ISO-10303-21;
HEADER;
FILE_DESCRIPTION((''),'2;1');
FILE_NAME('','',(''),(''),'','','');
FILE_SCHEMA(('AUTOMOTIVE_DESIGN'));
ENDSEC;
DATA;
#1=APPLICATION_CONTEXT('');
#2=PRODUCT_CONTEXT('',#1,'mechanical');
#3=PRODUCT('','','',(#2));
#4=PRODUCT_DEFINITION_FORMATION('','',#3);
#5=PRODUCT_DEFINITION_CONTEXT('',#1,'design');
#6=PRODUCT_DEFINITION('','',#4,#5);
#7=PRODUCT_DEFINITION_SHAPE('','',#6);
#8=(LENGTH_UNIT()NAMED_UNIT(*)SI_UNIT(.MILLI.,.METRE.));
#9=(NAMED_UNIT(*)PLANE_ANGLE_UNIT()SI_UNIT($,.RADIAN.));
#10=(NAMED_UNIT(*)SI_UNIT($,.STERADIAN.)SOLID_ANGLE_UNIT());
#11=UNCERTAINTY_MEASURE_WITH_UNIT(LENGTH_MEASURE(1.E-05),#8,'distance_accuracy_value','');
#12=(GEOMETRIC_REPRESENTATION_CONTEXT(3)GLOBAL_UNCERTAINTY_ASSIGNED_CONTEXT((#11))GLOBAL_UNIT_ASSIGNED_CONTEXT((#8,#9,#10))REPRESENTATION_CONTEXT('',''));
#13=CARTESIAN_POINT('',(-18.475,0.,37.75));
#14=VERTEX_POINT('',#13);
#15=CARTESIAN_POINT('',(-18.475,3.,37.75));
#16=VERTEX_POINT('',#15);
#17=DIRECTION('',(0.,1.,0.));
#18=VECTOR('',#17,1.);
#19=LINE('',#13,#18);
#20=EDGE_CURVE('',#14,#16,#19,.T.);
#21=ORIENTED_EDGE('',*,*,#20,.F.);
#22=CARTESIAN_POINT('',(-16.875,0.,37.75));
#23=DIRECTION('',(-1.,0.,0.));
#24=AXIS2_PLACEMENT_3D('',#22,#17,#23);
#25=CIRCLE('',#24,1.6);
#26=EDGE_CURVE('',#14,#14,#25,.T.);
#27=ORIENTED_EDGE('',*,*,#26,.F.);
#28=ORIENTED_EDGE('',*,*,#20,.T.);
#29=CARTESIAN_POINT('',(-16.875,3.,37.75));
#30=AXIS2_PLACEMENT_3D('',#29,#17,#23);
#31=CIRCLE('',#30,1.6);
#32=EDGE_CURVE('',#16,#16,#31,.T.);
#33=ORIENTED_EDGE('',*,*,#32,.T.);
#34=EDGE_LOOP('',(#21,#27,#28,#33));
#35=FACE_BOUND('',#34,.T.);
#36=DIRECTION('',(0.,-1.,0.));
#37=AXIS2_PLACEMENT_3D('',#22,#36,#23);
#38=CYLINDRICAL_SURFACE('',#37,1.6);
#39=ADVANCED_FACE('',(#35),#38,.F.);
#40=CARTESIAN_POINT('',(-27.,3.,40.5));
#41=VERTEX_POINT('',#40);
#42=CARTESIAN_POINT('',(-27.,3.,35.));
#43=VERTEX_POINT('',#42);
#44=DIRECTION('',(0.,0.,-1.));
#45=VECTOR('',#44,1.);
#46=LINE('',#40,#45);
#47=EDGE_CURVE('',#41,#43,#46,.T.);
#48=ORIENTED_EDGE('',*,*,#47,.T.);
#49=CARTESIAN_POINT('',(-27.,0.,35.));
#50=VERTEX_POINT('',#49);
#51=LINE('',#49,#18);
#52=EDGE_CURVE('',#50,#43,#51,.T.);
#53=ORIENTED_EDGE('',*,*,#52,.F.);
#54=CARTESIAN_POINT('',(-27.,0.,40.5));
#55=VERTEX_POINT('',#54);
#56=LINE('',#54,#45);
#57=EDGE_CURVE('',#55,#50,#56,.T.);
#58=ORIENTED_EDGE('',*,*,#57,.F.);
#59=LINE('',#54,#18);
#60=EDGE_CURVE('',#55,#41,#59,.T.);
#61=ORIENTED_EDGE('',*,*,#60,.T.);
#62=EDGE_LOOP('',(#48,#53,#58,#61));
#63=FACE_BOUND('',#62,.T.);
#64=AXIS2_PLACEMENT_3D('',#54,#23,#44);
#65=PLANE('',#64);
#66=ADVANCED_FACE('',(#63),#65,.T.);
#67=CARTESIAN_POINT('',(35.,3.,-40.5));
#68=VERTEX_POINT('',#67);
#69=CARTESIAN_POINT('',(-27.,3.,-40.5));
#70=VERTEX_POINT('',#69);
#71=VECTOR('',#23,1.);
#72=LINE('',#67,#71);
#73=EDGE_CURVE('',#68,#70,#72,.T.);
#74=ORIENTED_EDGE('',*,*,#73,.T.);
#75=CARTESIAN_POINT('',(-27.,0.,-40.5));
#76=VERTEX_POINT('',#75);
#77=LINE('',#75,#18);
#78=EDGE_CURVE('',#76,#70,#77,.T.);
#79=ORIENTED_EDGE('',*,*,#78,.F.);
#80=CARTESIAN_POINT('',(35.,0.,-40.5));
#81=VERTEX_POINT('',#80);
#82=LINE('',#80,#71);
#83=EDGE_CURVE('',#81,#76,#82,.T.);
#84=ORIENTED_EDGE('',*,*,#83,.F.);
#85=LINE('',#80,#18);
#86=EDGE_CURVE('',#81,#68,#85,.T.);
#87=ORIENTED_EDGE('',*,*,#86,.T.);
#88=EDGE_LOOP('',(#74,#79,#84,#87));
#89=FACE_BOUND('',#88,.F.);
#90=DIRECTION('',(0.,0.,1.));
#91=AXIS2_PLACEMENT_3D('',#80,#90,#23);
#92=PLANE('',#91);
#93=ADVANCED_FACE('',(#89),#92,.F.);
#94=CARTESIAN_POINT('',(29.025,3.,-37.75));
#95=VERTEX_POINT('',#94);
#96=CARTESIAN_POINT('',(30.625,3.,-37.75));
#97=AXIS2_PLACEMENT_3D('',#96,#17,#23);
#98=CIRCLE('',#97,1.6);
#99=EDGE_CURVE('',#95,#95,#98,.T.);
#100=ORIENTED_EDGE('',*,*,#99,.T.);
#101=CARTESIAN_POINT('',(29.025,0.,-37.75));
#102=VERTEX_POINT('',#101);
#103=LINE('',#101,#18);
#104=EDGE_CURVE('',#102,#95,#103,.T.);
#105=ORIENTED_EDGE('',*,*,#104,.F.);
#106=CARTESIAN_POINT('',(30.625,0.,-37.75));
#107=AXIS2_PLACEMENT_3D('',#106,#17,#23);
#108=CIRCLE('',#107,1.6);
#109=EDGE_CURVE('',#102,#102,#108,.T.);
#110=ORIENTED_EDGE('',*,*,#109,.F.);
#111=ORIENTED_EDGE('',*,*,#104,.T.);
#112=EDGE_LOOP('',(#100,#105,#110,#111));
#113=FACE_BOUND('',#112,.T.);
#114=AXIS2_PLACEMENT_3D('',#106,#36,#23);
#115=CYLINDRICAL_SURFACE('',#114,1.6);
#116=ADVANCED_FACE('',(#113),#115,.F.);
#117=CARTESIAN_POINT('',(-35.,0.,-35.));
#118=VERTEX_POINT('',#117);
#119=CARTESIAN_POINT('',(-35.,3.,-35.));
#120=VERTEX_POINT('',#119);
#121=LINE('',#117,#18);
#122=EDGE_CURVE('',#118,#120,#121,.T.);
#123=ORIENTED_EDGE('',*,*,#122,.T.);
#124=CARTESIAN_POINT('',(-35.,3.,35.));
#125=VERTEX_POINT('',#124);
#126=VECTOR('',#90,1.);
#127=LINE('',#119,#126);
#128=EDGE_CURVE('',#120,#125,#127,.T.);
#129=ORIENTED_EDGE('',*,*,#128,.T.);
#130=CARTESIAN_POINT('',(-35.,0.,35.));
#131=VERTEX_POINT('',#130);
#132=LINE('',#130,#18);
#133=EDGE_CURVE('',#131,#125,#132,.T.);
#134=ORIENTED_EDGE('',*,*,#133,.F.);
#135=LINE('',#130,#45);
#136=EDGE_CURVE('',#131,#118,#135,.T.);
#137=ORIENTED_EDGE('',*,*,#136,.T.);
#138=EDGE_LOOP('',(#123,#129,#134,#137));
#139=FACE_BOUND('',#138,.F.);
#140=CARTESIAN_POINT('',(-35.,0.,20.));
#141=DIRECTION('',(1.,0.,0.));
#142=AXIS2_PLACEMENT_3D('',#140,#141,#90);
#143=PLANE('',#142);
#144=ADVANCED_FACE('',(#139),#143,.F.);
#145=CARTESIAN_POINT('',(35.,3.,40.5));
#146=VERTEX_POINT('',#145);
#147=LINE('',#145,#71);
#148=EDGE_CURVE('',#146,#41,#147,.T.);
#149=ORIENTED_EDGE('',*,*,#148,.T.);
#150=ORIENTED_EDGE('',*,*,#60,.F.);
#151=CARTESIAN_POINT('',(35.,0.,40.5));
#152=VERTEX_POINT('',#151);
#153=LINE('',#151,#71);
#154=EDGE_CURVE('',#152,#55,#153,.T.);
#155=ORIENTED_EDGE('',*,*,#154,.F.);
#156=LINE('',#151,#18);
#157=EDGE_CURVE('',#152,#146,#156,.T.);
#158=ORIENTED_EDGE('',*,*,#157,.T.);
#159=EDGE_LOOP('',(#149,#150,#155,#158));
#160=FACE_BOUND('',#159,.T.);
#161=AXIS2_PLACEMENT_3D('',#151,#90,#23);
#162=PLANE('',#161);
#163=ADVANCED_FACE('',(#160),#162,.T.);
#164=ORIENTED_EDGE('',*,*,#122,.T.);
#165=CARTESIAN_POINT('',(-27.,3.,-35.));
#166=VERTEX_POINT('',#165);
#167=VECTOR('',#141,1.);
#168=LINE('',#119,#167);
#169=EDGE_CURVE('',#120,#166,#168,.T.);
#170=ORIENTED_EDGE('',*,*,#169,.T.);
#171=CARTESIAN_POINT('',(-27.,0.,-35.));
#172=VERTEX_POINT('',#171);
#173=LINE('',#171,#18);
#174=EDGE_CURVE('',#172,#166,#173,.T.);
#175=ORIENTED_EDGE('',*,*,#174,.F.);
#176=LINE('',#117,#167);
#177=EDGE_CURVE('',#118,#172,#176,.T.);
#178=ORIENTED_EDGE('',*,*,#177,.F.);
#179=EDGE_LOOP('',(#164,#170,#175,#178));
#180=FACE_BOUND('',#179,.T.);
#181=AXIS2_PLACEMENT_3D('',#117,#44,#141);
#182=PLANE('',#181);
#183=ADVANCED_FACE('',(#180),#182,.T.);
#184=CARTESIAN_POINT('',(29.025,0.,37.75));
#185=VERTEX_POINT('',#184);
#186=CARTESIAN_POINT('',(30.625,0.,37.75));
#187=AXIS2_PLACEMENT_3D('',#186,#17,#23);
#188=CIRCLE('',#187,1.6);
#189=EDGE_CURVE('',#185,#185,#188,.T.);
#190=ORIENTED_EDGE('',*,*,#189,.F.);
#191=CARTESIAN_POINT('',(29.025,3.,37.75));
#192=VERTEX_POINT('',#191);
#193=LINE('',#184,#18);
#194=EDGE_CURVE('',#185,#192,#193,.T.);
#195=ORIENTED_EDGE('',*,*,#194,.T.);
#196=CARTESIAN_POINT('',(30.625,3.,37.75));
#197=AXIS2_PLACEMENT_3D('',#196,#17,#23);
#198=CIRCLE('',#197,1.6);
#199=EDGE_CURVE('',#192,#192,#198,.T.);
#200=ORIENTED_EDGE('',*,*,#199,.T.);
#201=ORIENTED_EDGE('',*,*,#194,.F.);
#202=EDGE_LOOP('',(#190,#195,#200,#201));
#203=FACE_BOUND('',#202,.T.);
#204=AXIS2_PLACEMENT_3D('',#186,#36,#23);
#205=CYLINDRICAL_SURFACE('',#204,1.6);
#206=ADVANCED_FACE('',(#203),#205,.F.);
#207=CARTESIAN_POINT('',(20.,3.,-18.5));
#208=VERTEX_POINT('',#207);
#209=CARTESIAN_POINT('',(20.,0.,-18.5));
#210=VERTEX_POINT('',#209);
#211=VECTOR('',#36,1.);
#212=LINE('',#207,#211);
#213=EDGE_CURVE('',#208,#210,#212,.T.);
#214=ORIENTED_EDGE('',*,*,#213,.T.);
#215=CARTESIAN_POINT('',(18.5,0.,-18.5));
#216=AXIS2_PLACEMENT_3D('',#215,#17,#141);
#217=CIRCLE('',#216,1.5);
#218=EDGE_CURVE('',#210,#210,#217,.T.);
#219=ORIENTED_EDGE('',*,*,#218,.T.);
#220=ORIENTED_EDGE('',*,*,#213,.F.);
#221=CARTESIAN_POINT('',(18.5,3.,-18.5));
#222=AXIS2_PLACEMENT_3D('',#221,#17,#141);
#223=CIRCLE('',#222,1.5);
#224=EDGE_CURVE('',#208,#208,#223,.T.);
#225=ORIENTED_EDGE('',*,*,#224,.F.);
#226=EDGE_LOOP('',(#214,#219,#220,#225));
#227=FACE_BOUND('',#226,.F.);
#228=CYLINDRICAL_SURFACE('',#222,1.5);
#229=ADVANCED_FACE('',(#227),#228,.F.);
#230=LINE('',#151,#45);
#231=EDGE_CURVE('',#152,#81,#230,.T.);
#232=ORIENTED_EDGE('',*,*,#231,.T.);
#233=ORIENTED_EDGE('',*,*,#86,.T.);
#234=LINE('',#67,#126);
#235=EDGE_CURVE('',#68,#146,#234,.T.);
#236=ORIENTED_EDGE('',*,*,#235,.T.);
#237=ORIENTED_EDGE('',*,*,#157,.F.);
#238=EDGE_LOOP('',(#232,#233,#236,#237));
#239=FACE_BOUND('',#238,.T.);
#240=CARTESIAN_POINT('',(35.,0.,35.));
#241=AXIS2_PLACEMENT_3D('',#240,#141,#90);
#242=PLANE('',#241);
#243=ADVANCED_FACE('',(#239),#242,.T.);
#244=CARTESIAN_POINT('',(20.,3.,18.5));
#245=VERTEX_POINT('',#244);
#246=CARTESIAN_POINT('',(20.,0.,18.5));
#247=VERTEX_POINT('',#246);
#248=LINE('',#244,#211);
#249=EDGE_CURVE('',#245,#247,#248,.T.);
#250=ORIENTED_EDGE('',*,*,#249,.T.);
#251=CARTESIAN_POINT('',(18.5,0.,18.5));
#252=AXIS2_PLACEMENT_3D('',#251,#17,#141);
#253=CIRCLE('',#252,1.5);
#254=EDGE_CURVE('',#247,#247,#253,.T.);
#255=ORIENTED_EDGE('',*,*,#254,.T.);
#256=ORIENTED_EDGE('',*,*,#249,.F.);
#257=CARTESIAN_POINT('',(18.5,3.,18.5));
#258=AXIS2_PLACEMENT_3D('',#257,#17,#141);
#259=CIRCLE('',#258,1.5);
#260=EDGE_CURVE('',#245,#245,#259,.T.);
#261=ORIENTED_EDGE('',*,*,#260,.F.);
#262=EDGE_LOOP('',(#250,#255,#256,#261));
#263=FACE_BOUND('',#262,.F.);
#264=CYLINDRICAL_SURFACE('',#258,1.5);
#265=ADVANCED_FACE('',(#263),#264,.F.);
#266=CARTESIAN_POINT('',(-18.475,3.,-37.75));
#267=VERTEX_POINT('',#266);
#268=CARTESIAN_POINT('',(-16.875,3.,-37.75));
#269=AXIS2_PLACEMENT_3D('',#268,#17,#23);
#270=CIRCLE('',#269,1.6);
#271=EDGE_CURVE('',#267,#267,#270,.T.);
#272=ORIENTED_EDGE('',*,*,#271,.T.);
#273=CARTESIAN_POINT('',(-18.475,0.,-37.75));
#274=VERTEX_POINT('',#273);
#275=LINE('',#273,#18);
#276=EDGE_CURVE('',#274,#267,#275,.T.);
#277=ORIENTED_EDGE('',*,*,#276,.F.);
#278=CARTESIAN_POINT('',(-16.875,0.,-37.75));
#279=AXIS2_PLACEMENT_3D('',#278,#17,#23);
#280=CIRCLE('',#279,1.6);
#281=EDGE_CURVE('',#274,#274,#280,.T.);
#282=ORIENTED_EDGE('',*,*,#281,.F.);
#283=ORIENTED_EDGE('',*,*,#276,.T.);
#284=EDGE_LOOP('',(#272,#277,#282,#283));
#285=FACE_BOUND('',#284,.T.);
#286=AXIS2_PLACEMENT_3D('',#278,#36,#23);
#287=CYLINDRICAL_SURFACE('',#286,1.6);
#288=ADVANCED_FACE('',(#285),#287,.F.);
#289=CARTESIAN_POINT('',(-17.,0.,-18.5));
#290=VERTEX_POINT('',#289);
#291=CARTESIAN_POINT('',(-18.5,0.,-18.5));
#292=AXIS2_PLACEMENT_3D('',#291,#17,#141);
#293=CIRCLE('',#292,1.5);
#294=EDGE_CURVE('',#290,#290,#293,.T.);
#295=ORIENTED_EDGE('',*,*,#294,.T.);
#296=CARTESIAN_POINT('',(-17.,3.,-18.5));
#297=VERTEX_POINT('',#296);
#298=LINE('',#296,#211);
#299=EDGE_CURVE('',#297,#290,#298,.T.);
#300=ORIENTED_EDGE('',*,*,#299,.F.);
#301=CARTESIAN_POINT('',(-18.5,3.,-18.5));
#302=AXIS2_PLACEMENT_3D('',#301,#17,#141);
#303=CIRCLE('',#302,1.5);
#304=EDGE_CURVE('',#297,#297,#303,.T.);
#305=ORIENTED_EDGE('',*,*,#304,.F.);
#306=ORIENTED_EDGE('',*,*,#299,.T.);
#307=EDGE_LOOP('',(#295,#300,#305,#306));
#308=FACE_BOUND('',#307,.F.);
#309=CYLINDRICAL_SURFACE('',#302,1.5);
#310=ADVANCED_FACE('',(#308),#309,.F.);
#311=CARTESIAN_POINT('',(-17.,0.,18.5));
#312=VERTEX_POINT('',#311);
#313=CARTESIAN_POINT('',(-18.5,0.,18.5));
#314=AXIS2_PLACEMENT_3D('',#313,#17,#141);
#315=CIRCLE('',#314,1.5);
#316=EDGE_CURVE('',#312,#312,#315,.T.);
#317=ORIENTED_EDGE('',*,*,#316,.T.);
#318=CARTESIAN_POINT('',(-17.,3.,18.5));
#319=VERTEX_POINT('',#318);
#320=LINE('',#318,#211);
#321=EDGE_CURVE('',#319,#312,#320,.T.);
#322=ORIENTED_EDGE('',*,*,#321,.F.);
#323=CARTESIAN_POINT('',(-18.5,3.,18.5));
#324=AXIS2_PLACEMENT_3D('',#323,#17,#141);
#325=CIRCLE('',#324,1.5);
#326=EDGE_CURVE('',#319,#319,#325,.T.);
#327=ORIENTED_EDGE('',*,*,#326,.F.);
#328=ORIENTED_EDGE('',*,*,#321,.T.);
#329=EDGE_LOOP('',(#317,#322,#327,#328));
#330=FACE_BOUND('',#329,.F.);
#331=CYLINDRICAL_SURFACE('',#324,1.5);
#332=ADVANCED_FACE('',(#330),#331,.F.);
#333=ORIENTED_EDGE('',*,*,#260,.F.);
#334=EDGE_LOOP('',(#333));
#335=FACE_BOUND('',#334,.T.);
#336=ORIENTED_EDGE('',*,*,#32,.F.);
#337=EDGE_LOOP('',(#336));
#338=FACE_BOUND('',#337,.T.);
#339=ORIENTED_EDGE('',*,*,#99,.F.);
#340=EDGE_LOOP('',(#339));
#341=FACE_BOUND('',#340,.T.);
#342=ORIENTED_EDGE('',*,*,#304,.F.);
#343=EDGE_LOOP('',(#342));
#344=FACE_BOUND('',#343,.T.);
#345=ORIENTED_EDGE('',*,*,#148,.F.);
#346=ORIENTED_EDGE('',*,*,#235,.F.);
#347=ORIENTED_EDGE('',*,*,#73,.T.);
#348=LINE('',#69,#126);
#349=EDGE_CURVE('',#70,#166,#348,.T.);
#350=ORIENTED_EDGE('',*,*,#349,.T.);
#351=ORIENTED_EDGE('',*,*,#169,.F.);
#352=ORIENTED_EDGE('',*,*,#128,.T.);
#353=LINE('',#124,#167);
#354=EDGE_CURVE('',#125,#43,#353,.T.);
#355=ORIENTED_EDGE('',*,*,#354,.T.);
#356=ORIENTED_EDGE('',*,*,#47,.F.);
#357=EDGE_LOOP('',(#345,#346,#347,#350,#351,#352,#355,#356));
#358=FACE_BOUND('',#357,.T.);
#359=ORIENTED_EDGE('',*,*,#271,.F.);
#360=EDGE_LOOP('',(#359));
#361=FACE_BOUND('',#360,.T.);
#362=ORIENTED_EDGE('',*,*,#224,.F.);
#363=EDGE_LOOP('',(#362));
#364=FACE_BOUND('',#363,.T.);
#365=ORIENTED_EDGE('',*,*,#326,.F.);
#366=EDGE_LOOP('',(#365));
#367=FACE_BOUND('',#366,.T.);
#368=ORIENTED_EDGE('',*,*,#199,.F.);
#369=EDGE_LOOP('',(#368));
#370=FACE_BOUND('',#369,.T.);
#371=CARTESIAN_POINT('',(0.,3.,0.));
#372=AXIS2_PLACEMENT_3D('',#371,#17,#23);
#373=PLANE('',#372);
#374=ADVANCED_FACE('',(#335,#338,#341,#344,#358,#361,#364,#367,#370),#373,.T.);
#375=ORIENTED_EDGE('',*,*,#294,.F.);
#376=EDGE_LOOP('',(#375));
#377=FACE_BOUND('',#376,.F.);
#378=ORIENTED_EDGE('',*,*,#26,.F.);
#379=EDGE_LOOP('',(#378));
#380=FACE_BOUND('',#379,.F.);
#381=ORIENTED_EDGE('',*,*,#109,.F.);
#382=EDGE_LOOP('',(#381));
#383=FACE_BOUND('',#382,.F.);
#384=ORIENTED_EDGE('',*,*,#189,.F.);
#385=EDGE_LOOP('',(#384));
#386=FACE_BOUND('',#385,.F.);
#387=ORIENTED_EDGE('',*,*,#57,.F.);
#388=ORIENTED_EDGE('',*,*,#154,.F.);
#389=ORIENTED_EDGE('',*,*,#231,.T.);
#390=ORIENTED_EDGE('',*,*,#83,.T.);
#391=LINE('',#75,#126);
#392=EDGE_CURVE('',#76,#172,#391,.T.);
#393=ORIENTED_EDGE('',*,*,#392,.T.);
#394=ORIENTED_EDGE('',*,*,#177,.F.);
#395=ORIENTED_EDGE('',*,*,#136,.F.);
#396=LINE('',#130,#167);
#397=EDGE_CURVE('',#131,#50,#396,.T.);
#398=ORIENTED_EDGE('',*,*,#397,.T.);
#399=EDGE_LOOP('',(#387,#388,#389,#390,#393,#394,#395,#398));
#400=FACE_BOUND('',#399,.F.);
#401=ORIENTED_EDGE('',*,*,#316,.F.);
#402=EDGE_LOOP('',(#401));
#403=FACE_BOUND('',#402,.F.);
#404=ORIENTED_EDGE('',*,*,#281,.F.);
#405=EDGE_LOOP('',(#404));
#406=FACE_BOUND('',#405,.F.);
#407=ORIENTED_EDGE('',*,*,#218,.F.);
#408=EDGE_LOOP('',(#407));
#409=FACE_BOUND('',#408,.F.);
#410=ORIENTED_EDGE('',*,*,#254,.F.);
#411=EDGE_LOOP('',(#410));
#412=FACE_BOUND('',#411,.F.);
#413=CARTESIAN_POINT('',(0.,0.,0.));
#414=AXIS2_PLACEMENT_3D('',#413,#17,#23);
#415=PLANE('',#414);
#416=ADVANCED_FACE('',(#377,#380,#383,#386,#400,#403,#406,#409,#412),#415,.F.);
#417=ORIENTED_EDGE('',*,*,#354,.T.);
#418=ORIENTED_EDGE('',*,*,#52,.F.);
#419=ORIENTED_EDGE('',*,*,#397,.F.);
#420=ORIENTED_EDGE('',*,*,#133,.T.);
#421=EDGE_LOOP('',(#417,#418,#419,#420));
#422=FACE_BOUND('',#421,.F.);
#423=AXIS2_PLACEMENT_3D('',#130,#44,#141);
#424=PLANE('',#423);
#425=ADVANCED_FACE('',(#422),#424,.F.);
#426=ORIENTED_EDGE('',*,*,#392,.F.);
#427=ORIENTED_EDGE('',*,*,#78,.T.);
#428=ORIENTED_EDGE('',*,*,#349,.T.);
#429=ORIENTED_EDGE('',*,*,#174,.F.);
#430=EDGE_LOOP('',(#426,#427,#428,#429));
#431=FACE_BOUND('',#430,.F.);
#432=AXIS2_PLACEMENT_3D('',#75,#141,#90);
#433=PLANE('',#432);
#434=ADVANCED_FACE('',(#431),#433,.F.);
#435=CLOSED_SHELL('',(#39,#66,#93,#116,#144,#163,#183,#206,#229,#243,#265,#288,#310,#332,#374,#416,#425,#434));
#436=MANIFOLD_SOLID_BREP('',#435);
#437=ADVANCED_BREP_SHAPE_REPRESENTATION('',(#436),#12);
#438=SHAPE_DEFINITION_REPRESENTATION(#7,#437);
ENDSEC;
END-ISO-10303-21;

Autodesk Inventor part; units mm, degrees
ref_plane "YZ Plane" through (0, 0, 0) normal (1, 0, 0) x (0, 1, 0)
ref_plane "XZ Plane" through (0, 0, 0) normal (0, 1, 0) x (-1, 0, 0)
ref_plane "XY Plane" through (0, 0, 0) normal (0, 0, 1) x (1, 0, 0)
sketch "Эскиз1" plane through (0, 0, 0) normal (0, 1, 0) x (-1, 0, 0)
  circle A0 centre (16.875, 37.75) radius 1.6
  circle A1 centre (-30.625, 37.75) radius 1.6
  line L0 (-35, 40.5) -> (27, 40.5)
  line L1 (-35, 35) -> (-35, 40.5)
  line L2 (27, 35) -> (-35, 35)
  line L3 (27, 40.5) -> (27, 35)
  circle A2 centre (16.875, -37.75) radius 1.6
  circle A3 centre (-30.625, -37.75) radius 1.6
  line L4 (-35, -40.5) -> (27, -40.5)
  line L5 (27, -40.5) -> (27, -35)
  line L6 (-35, -35) -> (27, -35)
  line L7 (-35, -35) -> (-35, -40.5)
  line L8 (35, -35) -> (27, -35)
  line L9 (35, -35) -> (35, -20)
  line L10 (35, -20) -> (35, 20)
  line L11 (35, 20) -> (35, 35)
  line L12 (35, 35) -> (27, 35)
  line L13 (-35, 20) -> (-35, -20)
  line L14 (-35, 35) -> (-35, 20)
  line L15 (-35, -20) -> (-35, -35)
  point P0 (0, 0)
  point P1 (0, 0)
extrude "Выдавливание1" add sketch "Эскиз1" along normal blind 3
sketch "Эскиз2" plane through (0, 3, 0) normal (0, 1, 0) x (1, 0, 0)
  line L0 (-21.5, -21.875) -> (-21.5, 21.875)
  line L1 (21.5, -21.875) -> (-21.5, -21.875)
  line L2 (21.5, 21.875) -> (21.5, -21.875)
  line L3 (-21.5, 21.875) -> (21.5, 21.875)
  circle A0 centre (18.5, -18.5) radius 1.5
  circle A1 centre (-18.5, -18.5) radius 1.5
  circle A2 centre (-18.5, 18.5) radius 1.5
  circle A3 centre (18.5, 18.5) radius 1.5
  point P0 (0, 0)
  point P1 (0, 0)
extrude "Выдавливание2" cut sketch "Эскиз2" against normal blind 10 contours A0 | A1 | A2 | A3
properties part number "000,105 - Дно переднего сегмента"
